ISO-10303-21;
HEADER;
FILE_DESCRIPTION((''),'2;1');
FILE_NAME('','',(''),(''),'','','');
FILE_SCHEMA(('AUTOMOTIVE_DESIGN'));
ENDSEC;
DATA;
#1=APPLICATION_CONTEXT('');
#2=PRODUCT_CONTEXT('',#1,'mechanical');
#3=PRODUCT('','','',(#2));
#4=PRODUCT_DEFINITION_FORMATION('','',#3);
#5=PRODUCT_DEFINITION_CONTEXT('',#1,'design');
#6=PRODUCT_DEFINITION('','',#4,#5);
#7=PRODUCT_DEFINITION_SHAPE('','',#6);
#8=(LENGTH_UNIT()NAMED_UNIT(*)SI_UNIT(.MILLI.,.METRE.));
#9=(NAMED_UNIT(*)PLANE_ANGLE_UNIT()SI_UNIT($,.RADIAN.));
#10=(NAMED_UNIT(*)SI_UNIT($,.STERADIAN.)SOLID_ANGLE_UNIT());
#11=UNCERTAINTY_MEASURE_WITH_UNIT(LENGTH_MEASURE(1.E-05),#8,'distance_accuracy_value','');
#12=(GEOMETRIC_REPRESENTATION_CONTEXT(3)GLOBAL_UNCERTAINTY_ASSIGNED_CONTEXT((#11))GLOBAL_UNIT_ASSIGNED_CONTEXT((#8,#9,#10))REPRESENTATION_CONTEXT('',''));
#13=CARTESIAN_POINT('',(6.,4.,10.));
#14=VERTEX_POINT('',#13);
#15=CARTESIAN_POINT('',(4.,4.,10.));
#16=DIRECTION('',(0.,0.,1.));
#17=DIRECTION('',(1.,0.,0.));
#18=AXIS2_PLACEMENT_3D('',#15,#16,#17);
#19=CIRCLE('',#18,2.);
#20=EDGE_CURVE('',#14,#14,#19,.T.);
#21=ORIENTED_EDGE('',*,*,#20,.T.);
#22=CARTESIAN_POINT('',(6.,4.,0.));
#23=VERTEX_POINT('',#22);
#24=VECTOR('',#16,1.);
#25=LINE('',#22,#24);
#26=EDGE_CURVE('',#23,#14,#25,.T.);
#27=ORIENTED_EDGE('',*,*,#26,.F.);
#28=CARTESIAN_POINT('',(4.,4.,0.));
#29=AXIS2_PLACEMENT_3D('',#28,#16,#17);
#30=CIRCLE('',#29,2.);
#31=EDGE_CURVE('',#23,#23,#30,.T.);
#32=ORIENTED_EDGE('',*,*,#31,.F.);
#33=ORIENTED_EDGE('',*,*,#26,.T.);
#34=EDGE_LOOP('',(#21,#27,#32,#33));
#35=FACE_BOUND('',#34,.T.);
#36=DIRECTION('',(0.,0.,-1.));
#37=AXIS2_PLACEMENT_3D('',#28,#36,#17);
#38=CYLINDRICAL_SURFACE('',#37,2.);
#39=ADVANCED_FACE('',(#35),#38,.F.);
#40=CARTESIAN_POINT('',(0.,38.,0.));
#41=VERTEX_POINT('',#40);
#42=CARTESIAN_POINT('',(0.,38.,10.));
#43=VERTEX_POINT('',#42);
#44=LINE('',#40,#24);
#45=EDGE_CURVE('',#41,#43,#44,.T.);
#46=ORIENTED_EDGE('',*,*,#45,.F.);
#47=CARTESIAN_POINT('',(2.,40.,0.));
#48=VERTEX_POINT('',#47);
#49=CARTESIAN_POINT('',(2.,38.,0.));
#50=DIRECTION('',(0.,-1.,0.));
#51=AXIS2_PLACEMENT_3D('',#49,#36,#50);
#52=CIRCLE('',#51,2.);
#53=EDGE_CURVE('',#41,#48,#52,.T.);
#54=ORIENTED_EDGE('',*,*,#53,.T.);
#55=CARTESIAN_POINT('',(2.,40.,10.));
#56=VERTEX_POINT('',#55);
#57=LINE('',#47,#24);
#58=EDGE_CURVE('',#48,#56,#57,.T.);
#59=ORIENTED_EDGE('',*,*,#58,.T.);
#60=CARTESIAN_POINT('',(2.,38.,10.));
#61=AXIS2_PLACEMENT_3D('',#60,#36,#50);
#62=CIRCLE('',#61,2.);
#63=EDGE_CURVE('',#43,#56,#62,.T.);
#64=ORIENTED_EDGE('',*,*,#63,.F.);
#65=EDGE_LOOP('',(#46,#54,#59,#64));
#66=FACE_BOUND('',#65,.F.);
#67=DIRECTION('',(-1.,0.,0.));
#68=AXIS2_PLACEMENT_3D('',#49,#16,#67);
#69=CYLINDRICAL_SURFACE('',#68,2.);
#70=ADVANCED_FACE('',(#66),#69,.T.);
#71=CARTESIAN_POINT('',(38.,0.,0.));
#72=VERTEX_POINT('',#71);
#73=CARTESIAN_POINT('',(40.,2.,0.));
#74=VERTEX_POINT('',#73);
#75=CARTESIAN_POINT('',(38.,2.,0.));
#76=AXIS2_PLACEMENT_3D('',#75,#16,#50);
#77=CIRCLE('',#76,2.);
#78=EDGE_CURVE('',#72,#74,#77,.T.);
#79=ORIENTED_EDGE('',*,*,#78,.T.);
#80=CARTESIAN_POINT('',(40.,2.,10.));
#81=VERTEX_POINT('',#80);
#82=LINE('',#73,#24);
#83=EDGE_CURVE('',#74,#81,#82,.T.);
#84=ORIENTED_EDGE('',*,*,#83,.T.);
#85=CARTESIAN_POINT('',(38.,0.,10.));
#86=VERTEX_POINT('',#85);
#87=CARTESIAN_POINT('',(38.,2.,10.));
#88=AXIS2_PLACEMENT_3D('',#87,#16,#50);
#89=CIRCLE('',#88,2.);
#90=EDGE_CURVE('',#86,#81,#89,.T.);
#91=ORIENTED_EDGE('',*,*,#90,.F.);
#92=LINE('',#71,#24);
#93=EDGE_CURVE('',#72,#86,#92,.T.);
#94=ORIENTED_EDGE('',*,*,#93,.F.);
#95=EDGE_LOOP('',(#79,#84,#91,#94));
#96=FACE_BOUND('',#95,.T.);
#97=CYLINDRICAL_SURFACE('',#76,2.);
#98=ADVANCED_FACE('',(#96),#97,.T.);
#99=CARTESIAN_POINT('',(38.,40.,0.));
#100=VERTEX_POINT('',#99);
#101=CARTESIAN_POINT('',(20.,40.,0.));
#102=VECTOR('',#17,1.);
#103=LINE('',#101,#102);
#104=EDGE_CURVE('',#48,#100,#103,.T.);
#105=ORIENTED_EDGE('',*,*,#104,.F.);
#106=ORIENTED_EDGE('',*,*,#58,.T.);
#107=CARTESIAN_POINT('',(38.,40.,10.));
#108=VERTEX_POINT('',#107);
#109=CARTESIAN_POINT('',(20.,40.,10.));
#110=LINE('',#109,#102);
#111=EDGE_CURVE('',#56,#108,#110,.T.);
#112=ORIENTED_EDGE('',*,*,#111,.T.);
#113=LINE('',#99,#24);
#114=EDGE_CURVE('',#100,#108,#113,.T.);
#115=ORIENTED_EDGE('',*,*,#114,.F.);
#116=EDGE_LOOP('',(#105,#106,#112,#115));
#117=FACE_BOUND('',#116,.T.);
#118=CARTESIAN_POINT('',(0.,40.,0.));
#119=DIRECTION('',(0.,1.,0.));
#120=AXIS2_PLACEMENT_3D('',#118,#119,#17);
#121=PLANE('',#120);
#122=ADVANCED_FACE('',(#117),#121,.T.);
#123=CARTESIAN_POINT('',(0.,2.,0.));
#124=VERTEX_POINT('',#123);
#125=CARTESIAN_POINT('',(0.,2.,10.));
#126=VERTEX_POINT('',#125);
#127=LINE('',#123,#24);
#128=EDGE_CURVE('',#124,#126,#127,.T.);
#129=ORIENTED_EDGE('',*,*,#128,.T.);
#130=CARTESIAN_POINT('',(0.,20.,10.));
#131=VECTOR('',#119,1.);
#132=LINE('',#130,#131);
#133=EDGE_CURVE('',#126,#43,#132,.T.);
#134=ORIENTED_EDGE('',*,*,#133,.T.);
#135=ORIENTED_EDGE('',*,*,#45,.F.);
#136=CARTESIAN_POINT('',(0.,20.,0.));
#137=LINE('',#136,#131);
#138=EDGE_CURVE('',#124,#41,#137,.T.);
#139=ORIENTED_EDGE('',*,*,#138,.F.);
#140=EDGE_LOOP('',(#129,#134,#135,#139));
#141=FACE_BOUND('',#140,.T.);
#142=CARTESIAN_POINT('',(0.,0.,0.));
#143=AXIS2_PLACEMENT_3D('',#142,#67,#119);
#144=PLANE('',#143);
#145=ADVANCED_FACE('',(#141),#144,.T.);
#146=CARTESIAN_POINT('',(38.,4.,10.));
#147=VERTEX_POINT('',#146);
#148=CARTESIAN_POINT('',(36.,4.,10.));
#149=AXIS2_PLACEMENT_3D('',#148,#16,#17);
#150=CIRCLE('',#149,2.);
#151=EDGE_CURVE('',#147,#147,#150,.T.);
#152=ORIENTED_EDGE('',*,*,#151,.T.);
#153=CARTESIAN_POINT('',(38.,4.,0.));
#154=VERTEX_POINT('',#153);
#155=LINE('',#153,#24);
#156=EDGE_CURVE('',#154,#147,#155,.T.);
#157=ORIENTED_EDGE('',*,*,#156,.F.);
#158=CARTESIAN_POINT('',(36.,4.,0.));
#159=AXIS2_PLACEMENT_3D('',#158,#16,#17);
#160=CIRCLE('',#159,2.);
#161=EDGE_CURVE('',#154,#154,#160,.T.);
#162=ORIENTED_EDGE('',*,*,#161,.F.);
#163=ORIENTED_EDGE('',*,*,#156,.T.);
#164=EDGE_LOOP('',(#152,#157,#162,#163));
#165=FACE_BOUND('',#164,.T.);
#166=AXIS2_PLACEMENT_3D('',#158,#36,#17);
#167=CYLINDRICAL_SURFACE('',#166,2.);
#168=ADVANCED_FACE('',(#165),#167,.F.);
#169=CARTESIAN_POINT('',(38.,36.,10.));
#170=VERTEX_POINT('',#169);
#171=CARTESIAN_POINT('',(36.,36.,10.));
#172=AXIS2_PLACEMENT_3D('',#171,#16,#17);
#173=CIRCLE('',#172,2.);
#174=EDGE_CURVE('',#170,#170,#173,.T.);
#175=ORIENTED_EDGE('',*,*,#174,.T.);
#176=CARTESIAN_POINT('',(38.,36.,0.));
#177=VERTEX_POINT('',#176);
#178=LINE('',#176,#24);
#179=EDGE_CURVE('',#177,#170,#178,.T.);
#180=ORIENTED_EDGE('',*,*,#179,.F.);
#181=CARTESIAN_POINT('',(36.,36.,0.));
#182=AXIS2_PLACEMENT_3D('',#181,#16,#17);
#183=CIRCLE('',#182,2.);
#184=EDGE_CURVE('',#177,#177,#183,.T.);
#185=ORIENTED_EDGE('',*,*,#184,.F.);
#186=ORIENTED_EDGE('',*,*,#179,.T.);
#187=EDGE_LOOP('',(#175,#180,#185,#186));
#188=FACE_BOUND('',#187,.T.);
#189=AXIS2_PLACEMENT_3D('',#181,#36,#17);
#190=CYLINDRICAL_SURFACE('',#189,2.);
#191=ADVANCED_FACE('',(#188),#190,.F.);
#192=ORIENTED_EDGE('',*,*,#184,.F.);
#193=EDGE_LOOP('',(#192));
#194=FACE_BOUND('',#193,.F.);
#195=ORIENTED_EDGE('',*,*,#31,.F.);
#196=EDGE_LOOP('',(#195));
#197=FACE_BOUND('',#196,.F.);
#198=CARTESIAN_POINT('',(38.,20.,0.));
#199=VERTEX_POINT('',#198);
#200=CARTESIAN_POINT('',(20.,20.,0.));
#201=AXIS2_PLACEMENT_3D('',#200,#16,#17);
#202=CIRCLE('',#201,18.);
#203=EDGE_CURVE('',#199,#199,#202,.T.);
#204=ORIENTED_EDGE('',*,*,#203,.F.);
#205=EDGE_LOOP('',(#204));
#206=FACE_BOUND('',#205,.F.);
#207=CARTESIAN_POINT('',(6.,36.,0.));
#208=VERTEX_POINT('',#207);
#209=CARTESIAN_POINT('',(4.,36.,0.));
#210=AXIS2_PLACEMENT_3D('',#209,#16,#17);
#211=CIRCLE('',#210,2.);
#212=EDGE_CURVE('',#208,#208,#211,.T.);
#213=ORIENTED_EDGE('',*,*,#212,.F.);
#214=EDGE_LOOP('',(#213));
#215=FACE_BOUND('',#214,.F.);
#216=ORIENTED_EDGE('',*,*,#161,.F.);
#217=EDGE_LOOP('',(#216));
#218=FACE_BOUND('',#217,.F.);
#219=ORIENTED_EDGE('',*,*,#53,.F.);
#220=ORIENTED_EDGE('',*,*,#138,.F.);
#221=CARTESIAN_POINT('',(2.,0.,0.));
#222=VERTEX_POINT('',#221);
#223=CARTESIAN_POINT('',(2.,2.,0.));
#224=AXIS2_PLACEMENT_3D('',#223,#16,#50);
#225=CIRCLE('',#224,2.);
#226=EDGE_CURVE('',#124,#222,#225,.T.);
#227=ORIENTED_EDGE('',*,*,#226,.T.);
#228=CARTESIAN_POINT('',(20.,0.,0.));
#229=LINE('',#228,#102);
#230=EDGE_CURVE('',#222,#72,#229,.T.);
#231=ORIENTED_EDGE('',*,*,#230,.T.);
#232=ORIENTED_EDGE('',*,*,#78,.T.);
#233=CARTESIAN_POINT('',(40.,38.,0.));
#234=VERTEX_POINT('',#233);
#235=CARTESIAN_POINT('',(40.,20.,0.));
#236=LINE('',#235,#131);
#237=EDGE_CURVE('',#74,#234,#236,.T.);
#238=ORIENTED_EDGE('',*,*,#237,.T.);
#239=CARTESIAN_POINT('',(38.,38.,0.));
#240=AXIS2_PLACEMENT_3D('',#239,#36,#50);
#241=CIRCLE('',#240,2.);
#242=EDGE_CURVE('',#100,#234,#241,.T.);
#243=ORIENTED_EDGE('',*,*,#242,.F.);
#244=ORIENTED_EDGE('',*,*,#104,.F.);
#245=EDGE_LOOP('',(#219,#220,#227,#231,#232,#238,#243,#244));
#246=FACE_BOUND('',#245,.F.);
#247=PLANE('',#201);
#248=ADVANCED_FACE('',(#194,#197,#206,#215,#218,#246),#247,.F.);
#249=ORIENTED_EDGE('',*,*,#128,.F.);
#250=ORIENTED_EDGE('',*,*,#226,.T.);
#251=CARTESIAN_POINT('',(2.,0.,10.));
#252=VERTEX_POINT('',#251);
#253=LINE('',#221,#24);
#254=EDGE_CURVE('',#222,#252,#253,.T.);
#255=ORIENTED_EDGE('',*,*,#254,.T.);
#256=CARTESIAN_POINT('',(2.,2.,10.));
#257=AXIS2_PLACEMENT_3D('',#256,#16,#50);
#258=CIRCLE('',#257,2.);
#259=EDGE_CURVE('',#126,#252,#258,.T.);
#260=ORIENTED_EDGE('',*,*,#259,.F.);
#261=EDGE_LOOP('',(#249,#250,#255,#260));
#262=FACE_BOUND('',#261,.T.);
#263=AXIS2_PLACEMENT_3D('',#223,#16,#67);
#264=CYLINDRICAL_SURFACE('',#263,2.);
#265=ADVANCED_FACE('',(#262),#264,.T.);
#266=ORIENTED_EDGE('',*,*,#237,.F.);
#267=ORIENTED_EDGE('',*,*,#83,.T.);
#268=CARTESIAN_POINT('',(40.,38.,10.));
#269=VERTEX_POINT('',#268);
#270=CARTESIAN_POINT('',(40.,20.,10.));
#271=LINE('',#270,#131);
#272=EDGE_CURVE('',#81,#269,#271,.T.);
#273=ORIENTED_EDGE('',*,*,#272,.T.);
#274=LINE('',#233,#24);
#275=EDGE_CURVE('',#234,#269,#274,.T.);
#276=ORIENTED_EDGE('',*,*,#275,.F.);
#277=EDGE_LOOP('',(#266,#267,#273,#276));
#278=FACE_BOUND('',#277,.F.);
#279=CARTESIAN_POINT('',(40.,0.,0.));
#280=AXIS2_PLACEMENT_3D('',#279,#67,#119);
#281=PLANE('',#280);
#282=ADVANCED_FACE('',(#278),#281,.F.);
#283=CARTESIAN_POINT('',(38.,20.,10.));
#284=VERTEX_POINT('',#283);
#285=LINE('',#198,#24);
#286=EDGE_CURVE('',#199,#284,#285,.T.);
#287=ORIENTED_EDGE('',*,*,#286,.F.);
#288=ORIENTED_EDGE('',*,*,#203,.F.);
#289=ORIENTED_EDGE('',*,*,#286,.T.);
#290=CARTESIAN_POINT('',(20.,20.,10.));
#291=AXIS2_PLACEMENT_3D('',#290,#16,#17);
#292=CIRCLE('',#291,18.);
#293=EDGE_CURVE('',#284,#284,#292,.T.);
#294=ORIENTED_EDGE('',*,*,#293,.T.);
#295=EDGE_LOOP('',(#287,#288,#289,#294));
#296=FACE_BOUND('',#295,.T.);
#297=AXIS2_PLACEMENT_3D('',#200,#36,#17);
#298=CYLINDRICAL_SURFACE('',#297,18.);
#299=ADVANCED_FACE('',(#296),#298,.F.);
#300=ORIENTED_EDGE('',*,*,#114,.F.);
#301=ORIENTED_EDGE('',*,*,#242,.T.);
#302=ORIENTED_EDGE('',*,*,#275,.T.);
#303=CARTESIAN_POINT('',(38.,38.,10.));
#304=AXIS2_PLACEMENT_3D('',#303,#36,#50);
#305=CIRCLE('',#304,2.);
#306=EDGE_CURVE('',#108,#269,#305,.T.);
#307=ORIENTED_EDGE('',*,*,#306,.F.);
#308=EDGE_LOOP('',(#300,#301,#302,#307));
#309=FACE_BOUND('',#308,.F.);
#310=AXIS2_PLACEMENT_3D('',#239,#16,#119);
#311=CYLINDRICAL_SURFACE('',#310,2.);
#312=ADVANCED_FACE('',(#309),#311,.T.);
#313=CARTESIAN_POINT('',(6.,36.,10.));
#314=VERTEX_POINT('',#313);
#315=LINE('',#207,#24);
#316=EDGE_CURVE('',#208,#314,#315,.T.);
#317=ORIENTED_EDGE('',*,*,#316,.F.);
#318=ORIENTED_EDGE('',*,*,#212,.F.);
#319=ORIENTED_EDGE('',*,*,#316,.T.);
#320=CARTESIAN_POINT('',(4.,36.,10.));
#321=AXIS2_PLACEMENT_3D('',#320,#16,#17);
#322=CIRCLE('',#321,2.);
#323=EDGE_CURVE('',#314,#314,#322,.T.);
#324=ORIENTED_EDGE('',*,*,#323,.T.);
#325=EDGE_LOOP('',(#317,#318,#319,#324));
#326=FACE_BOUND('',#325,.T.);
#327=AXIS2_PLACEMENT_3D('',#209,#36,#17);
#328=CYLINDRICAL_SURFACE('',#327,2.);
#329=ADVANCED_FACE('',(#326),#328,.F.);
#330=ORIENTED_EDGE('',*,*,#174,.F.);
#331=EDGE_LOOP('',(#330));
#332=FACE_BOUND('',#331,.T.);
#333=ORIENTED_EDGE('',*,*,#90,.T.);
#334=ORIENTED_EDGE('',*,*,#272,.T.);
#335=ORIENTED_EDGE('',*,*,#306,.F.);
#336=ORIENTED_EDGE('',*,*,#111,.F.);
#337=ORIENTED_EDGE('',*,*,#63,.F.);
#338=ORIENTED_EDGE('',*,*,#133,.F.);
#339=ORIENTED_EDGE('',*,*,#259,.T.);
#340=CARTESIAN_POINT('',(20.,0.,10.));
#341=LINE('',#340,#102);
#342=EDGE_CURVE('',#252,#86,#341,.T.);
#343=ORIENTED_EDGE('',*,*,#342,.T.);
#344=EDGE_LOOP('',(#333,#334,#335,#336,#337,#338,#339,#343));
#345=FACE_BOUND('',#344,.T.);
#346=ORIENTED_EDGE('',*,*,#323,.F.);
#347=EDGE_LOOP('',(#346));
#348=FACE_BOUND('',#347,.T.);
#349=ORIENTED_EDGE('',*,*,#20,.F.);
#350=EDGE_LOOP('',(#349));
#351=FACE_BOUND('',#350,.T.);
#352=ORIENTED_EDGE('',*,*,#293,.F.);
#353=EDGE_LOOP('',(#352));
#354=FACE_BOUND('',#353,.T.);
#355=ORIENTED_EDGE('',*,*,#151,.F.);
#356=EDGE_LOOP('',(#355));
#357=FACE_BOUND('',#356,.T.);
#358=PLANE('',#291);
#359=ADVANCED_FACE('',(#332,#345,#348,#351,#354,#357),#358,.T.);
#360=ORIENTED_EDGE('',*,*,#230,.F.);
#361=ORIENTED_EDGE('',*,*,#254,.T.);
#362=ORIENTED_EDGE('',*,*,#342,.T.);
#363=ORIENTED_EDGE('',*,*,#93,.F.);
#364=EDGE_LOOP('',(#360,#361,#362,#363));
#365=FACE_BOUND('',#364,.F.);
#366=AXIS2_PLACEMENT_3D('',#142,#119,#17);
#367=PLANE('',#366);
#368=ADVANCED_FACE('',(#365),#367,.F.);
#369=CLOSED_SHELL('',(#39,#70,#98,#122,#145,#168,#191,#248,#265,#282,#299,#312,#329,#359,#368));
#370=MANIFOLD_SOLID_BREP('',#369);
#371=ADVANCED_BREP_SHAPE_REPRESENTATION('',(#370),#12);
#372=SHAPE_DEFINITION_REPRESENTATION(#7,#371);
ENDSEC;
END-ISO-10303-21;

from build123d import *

# Parameters (mm, degrees)
SKETCH_W   = 40
SKETCH_H   = 40
SKETCH_R   = 18
SKETCH_R_2 = 2
PAD_DEPTH  = 10
FILLET_R   = 2


with BuildPart() as part:
    # Sketch → Pad (new body)
    with BuildSketch(Plane.XY):
        with Locations((20, 20)):
            Rectangle(SKETCH_W, SKETCH_H)
        with Locations((20, 20)):
            Circle(SKETCH_R, mode=Mode.SUBTRACT)
        with Locations((4, 36)):
            Circle(SKETCH_R_2, mode=Mode.SUBTRACT)
        with Locations((36, 36)):
            Circle(SKETCH_R_2, mode=Mode.SUBTRACT)
        with Locations((36, 4)):
            Circle(SKETCH_R_2, mode=Mode.SUBTRACT)
        with Locations((4, 4)):
            Circle(SKETCH_R_2, mode=Mode.SUBTRACT)
    extrude(amount=PAD_DEPTH)

    # Fillet
    fillet_edges = [part.edges().sort_by_distance(p)[0] for p in [
        (40, 0, 5),
        (0, 0, 5),
        (40, 40, 5),
        (0, 40, 5),
    ]]
    fillet(fillet_edges, radius=FILLET_R)


solid = part.part
